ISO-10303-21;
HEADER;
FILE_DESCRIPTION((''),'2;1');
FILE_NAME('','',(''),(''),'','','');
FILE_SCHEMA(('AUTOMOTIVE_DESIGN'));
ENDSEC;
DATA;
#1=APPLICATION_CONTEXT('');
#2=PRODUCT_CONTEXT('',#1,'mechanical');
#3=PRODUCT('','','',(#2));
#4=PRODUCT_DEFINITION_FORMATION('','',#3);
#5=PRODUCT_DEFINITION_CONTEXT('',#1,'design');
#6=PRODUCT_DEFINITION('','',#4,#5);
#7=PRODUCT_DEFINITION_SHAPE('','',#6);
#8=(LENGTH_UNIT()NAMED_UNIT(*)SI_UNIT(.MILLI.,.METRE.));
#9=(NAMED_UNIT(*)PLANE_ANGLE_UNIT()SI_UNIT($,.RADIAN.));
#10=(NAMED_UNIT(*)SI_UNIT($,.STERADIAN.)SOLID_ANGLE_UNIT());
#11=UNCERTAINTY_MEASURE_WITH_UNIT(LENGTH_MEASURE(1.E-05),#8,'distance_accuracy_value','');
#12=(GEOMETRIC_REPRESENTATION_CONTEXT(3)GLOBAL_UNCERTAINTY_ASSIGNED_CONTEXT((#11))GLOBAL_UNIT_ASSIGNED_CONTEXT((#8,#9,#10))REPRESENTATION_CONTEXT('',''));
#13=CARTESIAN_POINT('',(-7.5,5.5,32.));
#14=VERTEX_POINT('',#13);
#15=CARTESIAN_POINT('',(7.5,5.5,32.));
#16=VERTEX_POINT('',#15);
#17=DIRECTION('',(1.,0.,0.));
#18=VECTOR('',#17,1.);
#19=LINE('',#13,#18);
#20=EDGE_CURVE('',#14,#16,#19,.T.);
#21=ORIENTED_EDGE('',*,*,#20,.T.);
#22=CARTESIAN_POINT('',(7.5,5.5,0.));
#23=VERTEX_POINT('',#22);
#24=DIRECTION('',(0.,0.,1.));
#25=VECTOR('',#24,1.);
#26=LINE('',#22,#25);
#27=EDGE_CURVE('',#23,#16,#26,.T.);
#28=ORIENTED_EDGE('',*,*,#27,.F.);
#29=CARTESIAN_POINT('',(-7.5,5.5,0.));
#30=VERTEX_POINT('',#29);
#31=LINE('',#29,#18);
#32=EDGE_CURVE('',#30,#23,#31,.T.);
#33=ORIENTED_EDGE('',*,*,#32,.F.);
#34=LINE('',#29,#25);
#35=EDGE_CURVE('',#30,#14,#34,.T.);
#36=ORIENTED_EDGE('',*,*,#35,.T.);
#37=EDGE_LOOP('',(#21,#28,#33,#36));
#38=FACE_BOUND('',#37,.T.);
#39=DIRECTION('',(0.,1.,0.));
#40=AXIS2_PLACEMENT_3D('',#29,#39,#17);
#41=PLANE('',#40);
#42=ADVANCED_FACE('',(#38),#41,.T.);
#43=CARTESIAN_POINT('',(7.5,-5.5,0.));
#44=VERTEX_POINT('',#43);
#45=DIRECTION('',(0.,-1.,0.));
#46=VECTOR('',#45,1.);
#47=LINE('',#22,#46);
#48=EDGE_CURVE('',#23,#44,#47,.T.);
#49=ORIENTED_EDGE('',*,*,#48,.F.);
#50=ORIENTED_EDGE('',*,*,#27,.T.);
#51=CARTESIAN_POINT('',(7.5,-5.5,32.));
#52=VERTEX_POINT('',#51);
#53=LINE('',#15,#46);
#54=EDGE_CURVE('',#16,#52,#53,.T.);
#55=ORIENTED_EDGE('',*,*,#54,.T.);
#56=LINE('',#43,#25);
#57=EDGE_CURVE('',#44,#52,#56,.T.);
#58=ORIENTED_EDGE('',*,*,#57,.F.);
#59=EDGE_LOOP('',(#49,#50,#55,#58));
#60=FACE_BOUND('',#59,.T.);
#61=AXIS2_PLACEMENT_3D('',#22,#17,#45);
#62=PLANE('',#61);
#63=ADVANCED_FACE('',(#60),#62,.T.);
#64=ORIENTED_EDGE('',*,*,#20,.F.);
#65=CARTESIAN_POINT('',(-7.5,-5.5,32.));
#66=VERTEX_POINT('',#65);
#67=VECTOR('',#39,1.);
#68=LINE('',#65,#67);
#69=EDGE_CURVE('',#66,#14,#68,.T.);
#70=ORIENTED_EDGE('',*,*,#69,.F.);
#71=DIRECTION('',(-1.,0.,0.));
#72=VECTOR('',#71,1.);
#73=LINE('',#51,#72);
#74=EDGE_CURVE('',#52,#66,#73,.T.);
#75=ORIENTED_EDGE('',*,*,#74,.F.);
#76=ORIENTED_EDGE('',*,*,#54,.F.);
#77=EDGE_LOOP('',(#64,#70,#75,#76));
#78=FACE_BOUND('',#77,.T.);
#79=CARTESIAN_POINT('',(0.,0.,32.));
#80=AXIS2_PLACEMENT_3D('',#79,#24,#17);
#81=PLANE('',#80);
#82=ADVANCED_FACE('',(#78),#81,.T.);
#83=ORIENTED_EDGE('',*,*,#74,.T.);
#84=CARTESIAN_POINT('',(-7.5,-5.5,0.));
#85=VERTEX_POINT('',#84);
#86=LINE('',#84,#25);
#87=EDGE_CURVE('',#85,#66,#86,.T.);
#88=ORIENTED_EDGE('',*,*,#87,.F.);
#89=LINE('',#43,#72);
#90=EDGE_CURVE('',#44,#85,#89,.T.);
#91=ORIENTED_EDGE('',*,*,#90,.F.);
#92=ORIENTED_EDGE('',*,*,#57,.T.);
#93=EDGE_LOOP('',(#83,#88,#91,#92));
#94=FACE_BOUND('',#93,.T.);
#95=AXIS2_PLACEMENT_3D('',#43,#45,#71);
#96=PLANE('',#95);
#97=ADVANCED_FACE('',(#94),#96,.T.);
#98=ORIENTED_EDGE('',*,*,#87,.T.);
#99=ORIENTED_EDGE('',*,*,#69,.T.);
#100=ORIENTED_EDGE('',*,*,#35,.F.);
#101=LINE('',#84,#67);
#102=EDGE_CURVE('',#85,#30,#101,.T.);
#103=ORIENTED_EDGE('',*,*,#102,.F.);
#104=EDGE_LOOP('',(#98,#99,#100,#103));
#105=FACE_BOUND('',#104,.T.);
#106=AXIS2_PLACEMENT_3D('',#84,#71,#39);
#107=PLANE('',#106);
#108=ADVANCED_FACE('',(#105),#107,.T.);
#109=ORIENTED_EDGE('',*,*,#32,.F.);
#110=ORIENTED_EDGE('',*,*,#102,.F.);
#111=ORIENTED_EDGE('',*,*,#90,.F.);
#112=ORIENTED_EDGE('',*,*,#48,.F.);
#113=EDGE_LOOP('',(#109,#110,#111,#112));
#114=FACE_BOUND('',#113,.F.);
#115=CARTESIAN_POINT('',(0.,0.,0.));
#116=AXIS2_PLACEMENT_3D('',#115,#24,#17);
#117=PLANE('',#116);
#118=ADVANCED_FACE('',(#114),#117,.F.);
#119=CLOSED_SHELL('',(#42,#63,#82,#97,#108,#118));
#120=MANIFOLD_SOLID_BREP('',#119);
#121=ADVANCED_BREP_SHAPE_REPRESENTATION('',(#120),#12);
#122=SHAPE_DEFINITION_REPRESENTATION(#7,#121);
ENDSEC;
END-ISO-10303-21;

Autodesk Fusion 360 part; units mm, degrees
sketch "Sketch1" plane through (0, 0, 0) normal (0, 0, 1) x (1, 0, 0)
  line L0 (7.5, -5.5) -> (-7.5, -5.5)
  line L1 (-7.5, -5.5) -> (-7.5, 5.5)
  line L2 (-7.5, 5.5) -> (7.5, 5.5)
  line L3 (7.5, 5.5) -> (7.5, -5.5)
  line L4 (7.5, -5.5) -> (-7.5, 5.5) construction
  line L5 (-7.5, -5.5) -> (7.5, 5.5) construction
  dimension "d1" = 15
  dimension "d2" = 11
extrude "Extrude1" add sketch "Sketch1" along normal blind 32
